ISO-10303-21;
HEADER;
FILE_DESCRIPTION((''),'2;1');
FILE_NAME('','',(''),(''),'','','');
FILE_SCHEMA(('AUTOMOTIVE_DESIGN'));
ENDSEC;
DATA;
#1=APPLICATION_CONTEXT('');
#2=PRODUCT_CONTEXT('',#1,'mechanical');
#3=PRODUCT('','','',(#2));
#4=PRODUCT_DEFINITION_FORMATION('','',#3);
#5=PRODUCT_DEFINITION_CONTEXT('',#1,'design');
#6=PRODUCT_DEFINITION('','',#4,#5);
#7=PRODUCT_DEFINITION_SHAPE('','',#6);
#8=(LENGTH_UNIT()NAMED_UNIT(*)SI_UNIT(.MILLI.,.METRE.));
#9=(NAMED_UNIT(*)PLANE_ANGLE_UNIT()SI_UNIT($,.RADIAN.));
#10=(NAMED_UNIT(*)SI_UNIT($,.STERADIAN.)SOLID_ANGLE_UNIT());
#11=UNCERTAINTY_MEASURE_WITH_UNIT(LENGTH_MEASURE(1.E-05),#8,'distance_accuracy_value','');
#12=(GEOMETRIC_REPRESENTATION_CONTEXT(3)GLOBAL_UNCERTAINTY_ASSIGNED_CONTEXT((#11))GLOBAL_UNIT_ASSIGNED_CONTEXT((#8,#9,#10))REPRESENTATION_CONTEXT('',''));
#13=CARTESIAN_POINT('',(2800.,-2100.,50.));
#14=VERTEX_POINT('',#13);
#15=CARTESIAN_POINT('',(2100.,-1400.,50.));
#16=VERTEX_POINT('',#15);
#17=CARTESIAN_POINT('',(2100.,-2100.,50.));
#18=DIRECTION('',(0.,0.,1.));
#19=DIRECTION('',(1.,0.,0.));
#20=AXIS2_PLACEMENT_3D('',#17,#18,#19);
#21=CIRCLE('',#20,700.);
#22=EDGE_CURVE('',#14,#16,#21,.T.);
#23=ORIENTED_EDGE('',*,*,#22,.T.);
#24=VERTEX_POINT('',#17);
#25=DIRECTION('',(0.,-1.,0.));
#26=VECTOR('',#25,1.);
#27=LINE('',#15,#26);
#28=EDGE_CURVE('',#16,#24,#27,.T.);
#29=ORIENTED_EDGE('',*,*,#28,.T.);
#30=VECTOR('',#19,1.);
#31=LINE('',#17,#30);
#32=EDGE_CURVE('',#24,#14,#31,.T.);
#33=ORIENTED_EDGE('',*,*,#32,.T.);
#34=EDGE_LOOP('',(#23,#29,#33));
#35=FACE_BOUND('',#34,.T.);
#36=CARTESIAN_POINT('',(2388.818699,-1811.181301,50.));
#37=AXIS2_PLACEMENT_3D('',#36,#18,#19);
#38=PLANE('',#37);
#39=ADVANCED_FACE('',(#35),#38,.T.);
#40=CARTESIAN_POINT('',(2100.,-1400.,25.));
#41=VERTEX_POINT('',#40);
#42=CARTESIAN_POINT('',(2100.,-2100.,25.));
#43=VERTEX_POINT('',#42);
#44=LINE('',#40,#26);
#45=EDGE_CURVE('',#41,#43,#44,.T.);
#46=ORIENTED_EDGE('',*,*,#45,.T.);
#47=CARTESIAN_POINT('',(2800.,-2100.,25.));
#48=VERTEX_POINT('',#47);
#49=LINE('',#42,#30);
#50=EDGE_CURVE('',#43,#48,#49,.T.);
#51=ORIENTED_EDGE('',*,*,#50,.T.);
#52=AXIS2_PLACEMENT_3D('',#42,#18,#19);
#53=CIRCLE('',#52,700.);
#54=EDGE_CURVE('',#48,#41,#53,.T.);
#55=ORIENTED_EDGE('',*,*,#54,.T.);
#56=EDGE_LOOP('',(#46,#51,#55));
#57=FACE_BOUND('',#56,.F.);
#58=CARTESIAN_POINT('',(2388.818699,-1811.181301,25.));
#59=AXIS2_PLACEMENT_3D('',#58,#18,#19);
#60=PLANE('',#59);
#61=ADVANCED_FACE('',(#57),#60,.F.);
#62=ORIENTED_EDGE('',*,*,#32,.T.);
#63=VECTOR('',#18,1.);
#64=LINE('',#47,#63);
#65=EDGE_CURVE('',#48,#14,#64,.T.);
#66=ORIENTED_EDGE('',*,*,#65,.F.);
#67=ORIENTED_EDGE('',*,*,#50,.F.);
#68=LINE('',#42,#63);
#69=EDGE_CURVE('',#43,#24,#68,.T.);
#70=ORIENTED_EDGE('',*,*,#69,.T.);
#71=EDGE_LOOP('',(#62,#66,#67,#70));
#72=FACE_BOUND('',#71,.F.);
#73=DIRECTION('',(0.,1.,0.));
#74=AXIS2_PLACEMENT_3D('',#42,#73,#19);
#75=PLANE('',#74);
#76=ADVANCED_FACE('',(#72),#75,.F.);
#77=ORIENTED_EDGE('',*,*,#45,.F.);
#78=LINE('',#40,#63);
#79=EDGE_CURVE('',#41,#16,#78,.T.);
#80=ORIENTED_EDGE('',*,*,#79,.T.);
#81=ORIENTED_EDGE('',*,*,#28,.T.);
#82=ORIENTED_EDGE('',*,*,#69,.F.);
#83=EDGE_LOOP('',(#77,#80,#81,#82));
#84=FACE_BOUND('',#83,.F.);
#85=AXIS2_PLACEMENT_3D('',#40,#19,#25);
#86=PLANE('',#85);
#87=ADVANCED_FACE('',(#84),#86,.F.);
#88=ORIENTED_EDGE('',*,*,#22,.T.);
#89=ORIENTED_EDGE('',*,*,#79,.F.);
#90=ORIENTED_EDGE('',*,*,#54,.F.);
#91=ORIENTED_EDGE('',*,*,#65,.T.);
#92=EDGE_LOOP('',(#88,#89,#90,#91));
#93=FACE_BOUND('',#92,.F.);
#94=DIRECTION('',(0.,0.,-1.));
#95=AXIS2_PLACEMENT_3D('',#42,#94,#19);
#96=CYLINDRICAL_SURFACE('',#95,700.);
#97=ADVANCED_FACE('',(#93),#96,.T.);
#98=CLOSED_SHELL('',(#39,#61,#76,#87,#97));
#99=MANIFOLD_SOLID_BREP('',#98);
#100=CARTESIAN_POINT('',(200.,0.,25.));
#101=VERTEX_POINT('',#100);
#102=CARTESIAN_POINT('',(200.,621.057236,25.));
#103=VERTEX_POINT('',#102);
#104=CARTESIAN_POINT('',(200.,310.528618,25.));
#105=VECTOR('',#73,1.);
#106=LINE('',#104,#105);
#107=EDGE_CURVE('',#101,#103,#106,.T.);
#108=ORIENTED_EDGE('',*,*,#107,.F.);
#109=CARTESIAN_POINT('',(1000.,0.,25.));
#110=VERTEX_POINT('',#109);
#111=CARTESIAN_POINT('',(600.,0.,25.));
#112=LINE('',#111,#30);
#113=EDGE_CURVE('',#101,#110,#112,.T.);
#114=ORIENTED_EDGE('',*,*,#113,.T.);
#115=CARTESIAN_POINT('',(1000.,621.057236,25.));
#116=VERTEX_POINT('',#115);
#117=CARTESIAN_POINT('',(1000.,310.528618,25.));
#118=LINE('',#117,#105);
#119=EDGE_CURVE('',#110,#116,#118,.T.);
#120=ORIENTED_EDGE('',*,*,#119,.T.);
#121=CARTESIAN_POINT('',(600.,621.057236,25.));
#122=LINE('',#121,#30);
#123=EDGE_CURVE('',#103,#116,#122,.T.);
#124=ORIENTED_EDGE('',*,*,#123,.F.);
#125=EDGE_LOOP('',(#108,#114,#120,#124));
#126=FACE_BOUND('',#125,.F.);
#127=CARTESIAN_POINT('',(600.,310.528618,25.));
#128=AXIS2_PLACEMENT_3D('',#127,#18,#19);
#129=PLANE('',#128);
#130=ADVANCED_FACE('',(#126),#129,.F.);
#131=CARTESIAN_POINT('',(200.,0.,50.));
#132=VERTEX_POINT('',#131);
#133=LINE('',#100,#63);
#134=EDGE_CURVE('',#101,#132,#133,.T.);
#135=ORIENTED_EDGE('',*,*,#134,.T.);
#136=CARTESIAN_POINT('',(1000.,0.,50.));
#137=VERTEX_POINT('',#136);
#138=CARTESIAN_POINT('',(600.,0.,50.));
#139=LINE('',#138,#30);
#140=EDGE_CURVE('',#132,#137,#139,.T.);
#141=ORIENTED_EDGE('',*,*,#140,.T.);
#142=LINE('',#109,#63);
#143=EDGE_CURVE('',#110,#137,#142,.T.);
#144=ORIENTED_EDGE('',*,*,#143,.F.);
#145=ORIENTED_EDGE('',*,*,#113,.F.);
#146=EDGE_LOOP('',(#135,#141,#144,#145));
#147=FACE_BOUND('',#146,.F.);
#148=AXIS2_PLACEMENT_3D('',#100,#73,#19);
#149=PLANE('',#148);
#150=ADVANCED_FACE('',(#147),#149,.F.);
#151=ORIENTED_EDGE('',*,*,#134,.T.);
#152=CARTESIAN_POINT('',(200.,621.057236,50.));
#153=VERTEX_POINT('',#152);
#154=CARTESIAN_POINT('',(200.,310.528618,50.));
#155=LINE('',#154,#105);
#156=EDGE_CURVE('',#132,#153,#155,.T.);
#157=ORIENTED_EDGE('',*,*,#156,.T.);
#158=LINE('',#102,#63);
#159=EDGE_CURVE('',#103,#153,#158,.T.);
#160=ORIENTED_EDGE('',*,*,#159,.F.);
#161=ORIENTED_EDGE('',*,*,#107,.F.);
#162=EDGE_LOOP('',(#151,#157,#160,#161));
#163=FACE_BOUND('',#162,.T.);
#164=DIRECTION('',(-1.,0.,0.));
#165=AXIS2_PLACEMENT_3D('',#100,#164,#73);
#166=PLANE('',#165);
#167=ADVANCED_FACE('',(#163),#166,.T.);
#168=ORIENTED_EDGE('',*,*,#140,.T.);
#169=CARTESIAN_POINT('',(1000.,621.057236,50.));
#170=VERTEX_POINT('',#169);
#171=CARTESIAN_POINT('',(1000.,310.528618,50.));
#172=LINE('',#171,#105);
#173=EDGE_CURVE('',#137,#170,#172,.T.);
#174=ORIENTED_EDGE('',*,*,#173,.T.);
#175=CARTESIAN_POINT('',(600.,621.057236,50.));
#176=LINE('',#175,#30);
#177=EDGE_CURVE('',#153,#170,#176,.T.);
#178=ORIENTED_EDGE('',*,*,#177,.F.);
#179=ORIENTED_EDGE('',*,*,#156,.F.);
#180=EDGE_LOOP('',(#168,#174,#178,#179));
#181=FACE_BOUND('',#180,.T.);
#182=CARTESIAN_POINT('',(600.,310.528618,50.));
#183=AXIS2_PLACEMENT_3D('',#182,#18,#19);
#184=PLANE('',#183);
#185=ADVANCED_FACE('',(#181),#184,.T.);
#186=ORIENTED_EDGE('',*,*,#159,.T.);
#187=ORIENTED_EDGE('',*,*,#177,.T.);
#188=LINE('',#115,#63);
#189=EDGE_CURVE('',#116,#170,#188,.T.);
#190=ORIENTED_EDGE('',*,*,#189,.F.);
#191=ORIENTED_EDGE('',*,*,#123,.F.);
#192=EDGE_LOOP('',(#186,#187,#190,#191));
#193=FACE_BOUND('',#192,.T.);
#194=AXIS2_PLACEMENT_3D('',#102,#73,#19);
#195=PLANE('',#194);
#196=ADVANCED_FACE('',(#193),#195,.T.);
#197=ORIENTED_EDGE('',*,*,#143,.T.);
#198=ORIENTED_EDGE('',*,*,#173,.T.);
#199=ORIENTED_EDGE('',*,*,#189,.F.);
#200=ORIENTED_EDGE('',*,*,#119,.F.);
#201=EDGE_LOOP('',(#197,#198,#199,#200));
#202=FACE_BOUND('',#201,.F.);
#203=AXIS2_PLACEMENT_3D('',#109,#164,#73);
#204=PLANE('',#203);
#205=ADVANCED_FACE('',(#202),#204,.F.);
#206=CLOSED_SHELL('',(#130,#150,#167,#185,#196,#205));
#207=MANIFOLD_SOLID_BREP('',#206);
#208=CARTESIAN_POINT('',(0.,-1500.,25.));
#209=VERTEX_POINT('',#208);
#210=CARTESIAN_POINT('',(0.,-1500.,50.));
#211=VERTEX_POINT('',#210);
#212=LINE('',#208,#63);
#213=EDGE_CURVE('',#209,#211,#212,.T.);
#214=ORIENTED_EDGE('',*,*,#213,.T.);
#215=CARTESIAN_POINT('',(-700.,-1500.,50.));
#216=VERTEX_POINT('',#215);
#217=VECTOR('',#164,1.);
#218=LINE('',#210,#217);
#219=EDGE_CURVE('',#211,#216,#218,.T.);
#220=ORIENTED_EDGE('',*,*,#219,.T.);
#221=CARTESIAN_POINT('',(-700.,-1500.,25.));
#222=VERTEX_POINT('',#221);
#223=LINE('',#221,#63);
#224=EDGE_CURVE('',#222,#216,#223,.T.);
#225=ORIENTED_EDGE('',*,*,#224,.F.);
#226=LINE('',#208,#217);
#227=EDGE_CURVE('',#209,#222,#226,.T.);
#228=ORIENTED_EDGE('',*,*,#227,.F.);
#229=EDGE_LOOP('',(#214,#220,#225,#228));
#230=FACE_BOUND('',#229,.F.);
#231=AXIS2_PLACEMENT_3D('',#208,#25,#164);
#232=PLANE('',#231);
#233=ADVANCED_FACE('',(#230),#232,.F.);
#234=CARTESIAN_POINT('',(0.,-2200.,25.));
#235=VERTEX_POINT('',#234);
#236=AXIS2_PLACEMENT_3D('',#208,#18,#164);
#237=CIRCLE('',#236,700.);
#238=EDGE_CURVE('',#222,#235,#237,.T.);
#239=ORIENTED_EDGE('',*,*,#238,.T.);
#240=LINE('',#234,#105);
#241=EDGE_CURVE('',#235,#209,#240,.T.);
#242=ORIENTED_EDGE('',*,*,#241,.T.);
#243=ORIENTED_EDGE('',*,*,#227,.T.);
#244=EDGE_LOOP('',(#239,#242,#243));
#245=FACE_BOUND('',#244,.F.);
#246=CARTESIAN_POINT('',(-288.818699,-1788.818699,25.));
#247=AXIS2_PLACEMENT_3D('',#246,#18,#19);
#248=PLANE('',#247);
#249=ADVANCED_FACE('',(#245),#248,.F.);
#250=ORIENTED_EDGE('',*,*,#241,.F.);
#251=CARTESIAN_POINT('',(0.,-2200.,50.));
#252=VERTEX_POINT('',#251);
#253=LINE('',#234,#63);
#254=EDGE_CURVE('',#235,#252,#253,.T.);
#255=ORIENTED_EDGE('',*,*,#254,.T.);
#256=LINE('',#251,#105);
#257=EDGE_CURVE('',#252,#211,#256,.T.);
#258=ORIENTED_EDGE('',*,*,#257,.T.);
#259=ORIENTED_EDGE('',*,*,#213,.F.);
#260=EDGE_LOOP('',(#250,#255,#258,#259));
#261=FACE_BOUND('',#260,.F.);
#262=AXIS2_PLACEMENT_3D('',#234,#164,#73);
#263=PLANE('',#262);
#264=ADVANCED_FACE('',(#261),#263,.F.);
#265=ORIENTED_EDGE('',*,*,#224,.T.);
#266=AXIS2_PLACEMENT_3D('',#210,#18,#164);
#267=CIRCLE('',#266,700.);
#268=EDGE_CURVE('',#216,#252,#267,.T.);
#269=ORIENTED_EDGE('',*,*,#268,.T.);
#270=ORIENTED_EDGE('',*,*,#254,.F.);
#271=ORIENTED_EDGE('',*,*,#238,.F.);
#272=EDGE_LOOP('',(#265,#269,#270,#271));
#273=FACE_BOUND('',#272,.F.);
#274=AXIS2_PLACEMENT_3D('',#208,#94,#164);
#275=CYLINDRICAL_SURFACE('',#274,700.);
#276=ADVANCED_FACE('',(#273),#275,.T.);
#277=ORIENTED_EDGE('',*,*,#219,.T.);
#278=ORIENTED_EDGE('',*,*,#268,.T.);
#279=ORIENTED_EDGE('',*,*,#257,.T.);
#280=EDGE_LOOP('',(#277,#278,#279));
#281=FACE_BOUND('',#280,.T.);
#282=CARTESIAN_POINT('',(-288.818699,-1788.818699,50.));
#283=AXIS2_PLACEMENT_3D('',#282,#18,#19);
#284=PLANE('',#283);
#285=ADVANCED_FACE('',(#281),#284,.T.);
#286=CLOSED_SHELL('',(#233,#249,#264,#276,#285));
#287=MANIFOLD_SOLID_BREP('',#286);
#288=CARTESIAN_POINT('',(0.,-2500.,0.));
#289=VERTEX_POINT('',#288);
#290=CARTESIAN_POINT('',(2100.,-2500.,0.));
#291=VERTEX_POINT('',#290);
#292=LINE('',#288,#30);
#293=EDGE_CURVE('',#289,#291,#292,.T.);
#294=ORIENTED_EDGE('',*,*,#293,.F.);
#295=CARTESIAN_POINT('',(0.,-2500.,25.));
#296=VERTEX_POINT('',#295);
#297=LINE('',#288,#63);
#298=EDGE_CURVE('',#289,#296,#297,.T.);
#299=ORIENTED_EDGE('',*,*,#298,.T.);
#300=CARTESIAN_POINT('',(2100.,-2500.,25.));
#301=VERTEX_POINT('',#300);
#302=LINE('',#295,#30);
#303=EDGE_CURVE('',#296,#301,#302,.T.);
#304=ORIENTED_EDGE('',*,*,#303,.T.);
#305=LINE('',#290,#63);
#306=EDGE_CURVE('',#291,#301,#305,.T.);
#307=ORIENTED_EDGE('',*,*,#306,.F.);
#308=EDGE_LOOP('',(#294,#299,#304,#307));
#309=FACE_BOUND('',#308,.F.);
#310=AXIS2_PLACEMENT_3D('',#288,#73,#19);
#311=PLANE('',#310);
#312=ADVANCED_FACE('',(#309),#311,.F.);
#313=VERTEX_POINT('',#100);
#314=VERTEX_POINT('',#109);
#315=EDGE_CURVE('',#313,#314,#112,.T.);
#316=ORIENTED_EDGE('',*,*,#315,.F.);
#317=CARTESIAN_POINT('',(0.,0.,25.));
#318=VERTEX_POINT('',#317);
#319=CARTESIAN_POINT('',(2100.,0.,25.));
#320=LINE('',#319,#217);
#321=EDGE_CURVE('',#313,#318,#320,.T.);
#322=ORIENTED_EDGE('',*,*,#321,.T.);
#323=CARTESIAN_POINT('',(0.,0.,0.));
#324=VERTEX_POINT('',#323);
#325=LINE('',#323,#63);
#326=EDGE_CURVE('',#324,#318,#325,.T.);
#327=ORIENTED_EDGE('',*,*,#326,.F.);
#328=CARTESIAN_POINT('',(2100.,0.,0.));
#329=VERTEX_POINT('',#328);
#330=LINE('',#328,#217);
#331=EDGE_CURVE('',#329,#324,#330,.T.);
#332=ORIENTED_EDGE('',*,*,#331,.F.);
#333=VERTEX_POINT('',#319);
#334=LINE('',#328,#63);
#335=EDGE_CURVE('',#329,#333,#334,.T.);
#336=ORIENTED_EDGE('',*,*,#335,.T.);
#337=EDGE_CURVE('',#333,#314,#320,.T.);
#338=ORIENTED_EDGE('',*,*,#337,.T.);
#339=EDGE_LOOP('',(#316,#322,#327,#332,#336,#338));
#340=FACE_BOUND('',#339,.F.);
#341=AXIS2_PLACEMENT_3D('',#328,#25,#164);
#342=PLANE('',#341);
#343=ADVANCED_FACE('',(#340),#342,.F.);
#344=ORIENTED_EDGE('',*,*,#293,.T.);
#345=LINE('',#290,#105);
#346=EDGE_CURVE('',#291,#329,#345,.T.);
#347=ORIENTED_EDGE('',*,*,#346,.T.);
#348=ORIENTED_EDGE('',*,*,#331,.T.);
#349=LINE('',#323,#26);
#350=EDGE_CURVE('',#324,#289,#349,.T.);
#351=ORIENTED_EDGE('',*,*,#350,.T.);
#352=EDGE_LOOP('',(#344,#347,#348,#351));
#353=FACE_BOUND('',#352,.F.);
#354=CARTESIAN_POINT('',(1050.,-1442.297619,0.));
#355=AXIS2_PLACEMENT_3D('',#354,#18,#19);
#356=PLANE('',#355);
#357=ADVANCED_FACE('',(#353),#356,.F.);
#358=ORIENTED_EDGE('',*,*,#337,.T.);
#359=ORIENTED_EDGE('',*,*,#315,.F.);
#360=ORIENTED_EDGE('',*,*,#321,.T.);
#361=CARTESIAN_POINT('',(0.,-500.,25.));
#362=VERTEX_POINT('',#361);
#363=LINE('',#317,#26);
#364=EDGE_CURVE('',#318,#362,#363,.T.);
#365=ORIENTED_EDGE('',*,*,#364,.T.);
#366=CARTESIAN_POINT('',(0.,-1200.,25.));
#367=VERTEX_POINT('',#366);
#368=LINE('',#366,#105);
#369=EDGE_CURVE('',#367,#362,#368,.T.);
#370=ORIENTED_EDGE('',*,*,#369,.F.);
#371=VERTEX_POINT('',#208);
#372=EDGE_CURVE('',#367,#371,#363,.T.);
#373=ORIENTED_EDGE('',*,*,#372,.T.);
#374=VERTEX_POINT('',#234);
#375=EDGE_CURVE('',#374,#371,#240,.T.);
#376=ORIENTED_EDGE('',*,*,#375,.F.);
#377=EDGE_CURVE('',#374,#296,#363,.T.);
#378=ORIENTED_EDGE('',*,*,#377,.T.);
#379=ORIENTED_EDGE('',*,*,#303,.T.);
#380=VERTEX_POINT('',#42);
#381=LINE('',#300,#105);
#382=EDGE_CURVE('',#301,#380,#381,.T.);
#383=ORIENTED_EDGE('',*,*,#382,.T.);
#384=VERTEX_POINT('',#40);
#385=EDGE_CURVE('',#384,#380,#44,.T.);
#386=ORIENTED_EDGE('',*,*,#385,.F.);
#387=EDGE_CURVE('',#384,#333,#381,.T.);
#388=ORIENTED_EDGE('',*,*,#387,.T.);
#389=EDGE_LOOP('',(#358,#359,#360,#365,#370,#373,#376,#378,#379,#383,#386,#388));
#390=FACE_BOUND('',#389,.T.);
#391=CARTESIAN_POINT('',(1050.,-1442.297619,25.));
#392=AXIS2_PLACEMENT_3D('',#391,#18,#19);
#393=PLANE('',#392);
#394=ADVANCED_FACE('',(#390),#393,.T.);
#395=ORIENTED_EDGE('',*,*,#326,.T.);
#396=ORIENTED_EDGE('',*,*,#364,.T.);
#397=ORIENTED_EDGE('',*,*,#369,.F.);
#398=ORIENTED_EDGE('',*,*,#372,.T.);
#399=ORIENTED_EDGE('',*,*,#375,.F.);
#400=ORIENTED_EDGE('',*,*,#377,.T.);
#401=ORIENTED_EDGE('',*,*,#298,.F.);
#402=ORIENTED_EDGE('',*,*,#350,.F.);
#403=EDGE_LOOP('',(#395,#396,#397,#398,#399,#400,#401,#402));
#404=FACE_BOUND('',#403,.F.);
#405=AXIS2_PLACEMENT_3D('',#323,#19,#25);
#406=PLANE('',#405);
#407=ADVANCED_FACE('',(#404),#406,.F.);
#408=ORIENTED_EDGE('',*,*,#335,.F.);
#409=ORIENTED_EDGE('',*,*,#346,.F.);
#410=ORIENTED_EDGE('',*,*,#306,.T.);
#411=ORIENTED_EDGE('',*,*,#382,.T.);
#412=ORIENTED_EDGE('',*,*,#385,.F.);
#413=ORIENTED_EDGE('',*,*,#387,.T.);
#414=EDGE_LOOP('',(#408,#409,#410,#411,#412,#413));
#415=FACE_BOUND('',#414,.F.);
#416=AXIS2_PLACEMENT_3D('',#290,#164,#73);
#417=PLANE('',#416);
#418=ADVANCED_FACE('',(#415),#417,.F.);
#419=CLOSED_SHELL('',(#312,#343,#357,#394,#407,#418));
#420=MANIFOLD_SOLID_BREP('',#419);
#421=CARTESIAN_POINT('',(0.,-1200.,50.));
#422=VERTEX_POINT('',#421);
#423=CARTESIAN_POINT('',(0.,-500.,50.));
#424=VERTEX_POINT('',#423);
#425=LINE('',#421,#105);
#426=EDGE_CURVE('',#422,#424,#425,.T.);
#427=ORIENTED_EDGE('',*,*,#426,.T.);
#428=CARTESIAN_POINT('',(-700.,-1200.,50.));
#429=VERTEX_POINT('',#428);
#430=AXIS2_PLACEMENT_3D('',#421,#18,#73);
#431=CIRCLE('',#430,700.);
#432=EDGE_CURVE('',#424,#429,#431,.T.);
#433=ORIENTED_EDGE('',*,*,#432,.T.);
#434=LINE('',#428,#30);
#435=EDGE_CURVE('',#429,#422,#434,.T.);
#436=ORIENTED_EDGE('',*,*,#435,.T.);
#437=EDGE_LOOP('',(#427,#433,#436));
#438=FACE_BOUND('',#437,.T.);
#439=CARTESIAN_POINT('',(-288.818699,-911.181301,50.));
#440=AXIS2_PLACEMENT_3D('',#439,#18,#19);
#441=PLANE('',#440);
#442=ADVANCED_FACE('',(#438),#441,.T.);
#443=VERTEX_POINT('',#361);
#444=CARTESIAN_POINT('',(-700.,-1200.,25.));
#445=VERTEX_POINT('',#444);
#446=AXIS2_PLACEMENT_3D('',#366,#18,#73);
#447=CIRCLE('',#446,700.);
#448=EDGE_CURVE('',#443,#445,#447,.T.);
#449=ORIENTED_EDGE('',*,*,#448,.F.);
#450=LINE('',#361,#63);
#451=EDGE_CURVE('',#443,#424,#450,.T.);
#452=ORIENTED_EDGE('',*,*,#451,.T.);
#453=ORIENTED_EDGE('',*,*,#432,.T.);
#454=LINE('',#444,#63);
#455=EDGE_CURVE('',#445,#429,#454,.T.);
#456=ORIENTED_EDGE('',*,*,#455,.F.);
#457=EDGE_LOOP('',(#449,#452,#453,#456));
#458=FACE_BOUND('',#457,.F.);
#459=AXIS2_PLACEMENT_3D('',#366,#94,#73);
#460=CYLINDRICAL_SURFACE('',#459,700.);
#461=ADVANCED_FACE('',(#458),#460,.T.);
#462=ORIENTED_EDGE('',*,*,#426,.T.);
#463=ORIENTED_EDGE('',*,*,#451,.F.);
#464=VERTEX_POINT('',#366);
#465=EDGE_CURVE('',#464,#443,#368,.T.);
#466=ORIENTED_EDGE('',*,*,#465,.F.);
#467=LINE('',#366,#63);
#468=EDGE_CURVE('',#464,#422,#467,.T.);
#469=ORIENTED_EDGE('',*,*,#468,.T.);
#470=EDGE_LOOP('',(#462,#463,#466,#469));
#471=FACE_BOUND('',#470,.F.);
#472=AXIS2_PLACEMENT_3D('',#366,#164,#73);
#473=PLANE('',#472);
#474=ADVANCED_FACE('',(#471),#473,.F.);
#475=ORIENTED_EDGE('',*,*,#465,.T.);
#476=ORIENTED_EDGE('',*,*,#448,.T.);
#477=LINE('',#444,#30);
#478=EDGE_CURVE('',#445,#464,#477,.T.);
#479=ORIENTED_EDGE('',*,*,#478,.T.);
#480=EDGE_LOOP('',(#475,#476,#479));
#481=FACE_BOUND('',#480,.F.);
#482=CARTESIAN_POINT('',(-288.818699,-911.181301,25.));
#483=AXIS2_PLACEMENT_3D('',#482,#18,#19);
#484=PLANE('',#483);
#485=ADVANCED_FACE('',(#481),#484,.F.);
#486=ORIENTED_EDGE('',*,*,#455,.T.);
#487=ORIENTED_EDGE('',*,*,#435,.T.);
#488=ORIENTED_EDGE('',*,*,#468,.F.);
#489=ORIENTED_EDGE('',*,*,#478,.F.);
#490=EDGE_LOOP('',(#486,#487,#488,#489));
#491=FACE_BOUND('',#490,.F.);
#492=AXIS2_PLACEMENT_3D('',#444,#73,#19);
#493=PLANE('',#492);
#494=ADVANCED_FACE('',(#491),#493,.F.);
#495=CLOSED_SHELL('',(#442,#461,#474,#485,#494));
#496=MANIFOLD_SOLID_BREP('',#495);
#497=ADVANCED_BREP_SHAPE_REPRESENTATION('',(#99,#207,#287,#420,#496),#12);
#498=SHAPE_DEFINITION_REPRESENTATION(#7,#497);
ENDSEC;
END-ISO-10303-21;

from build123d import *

# Parameters (mm, degrees)
F1_DEPTH = 25
F2_W     = 800
F2_H     = 621.0572361946
F3_DEPTH = 25


with BuildPart() as f1:
    # F0 (on Top) → F1 (new body)
    with BuildSketch(Plane.XY):
        with BuildLine():
            Line((2000, -2500), (2100, -2500))
            Line((2100, -2500), (2100, -2100))
            Line((2100, -2100), (2100, -1400))
            Line((2100, -1400), (2100, 0))
            Line((2100, 0), (1000, 0))
            Line((1000, 0), (200, 0))
            Line((200, 0), (0, 0))
            Line((0, 0), (0, -500))
            Line((0, -500), (0, -1200))
            Line((0, -1200), (0, -1500))
            Line((0, -1500), (0, -2200))
            Line((0, -2200), (0, -2500))
            Line((0, -2500), (100, -2500))
            Line((100, -2500), (100, -2050))
            ThreePointArc((100, -2050), (418.1980515339, -2181.8019484661), (550, -2500))
            ThreePointArc((550, -2500), (681.8019484661, -2181.8019484661), (1000, -2050))
            Line((1000, -2050), (1000, -2500))
            Line((1000, -2500), (1100, -2500))
            Line((1100, -2500), (1100, -2050))
            ThreePointArc((1100, -2050), (1418.1980515339, -2181.8019484661), (1550, -2500))
            ThreePointArc((1550, -2500), (1681.8019484661, -2181.8019484661), (2000, -2050))
            Line((2000, -2050), (2000, -2500))
        make_face()
        with BuildLine():
            Line((100, -2500), (550, -2500))
            ThreePointArc((550, -2500), (418.1980515339, -2181.8019484661), (100, -2050))
            Line((100, -2050), (100, -2500))
        make_face()
        with BuildLine():
            Line((550, -2500), (1000, -2500))
            Line((1000, -2500), (1000, -2050))
            ThreePointArc((1000, -2050), (681.8019484661, -2181.8019484661), (550, -2500))
        make_face()
        with BuildLine():
            Line((1100, -2500), (1550, -2500))
            ThreePointArc((1550, -2500), (1418.1980515339, -2181.8019484661), (1100, -2050))
            Line((1100, -2050), (1100, -2500))
        make_face()
        with BuildLine():
            Line((1550, -2500), (2000, -2500))
            Line((2000, -2500), (2000, -2050))
            ThreePointArc((2000, -2050), (1681.8019484661, -2181.8019484661), (1550, -2500))
        make_face()
    extrude(amount=F1_DEPTH)

    # F2 (on face) → F3 (join)
    with BuildSketch(Plane.XY.offset(25)):
        with BuildLine():
            Line((0, -2200), (0, -1500))
            Line((0, -1500), (-700, -1500))
            ThreePointArc((-700, -1500), (-494.9747468306, -1994.9747468306), (0, -2200))
        make_face()
        with BuildLine():
            Line((0, -1200), (0, -500))
            ThreePointArc((0, -500), (-494.9747468306, -705.0252531694), (-700, -1200))
            Line((-700, -1200), (0, -1200))
        make_face()
        with Locations((600, 310.5286180973)):
            Rectangle(F2_W, F2_H)
        with BuildLine():
            ThreePointArc((2800, -2100), (2594.9747468306, -1605.0252531694), (2100, -1400))
            Line((2100, -1400), (2100, -2100))
            Line((2100, -2100), (2800, -2100))
        make_face()
    extrude(amount=F3_DEPTH)


solid = f1.part
